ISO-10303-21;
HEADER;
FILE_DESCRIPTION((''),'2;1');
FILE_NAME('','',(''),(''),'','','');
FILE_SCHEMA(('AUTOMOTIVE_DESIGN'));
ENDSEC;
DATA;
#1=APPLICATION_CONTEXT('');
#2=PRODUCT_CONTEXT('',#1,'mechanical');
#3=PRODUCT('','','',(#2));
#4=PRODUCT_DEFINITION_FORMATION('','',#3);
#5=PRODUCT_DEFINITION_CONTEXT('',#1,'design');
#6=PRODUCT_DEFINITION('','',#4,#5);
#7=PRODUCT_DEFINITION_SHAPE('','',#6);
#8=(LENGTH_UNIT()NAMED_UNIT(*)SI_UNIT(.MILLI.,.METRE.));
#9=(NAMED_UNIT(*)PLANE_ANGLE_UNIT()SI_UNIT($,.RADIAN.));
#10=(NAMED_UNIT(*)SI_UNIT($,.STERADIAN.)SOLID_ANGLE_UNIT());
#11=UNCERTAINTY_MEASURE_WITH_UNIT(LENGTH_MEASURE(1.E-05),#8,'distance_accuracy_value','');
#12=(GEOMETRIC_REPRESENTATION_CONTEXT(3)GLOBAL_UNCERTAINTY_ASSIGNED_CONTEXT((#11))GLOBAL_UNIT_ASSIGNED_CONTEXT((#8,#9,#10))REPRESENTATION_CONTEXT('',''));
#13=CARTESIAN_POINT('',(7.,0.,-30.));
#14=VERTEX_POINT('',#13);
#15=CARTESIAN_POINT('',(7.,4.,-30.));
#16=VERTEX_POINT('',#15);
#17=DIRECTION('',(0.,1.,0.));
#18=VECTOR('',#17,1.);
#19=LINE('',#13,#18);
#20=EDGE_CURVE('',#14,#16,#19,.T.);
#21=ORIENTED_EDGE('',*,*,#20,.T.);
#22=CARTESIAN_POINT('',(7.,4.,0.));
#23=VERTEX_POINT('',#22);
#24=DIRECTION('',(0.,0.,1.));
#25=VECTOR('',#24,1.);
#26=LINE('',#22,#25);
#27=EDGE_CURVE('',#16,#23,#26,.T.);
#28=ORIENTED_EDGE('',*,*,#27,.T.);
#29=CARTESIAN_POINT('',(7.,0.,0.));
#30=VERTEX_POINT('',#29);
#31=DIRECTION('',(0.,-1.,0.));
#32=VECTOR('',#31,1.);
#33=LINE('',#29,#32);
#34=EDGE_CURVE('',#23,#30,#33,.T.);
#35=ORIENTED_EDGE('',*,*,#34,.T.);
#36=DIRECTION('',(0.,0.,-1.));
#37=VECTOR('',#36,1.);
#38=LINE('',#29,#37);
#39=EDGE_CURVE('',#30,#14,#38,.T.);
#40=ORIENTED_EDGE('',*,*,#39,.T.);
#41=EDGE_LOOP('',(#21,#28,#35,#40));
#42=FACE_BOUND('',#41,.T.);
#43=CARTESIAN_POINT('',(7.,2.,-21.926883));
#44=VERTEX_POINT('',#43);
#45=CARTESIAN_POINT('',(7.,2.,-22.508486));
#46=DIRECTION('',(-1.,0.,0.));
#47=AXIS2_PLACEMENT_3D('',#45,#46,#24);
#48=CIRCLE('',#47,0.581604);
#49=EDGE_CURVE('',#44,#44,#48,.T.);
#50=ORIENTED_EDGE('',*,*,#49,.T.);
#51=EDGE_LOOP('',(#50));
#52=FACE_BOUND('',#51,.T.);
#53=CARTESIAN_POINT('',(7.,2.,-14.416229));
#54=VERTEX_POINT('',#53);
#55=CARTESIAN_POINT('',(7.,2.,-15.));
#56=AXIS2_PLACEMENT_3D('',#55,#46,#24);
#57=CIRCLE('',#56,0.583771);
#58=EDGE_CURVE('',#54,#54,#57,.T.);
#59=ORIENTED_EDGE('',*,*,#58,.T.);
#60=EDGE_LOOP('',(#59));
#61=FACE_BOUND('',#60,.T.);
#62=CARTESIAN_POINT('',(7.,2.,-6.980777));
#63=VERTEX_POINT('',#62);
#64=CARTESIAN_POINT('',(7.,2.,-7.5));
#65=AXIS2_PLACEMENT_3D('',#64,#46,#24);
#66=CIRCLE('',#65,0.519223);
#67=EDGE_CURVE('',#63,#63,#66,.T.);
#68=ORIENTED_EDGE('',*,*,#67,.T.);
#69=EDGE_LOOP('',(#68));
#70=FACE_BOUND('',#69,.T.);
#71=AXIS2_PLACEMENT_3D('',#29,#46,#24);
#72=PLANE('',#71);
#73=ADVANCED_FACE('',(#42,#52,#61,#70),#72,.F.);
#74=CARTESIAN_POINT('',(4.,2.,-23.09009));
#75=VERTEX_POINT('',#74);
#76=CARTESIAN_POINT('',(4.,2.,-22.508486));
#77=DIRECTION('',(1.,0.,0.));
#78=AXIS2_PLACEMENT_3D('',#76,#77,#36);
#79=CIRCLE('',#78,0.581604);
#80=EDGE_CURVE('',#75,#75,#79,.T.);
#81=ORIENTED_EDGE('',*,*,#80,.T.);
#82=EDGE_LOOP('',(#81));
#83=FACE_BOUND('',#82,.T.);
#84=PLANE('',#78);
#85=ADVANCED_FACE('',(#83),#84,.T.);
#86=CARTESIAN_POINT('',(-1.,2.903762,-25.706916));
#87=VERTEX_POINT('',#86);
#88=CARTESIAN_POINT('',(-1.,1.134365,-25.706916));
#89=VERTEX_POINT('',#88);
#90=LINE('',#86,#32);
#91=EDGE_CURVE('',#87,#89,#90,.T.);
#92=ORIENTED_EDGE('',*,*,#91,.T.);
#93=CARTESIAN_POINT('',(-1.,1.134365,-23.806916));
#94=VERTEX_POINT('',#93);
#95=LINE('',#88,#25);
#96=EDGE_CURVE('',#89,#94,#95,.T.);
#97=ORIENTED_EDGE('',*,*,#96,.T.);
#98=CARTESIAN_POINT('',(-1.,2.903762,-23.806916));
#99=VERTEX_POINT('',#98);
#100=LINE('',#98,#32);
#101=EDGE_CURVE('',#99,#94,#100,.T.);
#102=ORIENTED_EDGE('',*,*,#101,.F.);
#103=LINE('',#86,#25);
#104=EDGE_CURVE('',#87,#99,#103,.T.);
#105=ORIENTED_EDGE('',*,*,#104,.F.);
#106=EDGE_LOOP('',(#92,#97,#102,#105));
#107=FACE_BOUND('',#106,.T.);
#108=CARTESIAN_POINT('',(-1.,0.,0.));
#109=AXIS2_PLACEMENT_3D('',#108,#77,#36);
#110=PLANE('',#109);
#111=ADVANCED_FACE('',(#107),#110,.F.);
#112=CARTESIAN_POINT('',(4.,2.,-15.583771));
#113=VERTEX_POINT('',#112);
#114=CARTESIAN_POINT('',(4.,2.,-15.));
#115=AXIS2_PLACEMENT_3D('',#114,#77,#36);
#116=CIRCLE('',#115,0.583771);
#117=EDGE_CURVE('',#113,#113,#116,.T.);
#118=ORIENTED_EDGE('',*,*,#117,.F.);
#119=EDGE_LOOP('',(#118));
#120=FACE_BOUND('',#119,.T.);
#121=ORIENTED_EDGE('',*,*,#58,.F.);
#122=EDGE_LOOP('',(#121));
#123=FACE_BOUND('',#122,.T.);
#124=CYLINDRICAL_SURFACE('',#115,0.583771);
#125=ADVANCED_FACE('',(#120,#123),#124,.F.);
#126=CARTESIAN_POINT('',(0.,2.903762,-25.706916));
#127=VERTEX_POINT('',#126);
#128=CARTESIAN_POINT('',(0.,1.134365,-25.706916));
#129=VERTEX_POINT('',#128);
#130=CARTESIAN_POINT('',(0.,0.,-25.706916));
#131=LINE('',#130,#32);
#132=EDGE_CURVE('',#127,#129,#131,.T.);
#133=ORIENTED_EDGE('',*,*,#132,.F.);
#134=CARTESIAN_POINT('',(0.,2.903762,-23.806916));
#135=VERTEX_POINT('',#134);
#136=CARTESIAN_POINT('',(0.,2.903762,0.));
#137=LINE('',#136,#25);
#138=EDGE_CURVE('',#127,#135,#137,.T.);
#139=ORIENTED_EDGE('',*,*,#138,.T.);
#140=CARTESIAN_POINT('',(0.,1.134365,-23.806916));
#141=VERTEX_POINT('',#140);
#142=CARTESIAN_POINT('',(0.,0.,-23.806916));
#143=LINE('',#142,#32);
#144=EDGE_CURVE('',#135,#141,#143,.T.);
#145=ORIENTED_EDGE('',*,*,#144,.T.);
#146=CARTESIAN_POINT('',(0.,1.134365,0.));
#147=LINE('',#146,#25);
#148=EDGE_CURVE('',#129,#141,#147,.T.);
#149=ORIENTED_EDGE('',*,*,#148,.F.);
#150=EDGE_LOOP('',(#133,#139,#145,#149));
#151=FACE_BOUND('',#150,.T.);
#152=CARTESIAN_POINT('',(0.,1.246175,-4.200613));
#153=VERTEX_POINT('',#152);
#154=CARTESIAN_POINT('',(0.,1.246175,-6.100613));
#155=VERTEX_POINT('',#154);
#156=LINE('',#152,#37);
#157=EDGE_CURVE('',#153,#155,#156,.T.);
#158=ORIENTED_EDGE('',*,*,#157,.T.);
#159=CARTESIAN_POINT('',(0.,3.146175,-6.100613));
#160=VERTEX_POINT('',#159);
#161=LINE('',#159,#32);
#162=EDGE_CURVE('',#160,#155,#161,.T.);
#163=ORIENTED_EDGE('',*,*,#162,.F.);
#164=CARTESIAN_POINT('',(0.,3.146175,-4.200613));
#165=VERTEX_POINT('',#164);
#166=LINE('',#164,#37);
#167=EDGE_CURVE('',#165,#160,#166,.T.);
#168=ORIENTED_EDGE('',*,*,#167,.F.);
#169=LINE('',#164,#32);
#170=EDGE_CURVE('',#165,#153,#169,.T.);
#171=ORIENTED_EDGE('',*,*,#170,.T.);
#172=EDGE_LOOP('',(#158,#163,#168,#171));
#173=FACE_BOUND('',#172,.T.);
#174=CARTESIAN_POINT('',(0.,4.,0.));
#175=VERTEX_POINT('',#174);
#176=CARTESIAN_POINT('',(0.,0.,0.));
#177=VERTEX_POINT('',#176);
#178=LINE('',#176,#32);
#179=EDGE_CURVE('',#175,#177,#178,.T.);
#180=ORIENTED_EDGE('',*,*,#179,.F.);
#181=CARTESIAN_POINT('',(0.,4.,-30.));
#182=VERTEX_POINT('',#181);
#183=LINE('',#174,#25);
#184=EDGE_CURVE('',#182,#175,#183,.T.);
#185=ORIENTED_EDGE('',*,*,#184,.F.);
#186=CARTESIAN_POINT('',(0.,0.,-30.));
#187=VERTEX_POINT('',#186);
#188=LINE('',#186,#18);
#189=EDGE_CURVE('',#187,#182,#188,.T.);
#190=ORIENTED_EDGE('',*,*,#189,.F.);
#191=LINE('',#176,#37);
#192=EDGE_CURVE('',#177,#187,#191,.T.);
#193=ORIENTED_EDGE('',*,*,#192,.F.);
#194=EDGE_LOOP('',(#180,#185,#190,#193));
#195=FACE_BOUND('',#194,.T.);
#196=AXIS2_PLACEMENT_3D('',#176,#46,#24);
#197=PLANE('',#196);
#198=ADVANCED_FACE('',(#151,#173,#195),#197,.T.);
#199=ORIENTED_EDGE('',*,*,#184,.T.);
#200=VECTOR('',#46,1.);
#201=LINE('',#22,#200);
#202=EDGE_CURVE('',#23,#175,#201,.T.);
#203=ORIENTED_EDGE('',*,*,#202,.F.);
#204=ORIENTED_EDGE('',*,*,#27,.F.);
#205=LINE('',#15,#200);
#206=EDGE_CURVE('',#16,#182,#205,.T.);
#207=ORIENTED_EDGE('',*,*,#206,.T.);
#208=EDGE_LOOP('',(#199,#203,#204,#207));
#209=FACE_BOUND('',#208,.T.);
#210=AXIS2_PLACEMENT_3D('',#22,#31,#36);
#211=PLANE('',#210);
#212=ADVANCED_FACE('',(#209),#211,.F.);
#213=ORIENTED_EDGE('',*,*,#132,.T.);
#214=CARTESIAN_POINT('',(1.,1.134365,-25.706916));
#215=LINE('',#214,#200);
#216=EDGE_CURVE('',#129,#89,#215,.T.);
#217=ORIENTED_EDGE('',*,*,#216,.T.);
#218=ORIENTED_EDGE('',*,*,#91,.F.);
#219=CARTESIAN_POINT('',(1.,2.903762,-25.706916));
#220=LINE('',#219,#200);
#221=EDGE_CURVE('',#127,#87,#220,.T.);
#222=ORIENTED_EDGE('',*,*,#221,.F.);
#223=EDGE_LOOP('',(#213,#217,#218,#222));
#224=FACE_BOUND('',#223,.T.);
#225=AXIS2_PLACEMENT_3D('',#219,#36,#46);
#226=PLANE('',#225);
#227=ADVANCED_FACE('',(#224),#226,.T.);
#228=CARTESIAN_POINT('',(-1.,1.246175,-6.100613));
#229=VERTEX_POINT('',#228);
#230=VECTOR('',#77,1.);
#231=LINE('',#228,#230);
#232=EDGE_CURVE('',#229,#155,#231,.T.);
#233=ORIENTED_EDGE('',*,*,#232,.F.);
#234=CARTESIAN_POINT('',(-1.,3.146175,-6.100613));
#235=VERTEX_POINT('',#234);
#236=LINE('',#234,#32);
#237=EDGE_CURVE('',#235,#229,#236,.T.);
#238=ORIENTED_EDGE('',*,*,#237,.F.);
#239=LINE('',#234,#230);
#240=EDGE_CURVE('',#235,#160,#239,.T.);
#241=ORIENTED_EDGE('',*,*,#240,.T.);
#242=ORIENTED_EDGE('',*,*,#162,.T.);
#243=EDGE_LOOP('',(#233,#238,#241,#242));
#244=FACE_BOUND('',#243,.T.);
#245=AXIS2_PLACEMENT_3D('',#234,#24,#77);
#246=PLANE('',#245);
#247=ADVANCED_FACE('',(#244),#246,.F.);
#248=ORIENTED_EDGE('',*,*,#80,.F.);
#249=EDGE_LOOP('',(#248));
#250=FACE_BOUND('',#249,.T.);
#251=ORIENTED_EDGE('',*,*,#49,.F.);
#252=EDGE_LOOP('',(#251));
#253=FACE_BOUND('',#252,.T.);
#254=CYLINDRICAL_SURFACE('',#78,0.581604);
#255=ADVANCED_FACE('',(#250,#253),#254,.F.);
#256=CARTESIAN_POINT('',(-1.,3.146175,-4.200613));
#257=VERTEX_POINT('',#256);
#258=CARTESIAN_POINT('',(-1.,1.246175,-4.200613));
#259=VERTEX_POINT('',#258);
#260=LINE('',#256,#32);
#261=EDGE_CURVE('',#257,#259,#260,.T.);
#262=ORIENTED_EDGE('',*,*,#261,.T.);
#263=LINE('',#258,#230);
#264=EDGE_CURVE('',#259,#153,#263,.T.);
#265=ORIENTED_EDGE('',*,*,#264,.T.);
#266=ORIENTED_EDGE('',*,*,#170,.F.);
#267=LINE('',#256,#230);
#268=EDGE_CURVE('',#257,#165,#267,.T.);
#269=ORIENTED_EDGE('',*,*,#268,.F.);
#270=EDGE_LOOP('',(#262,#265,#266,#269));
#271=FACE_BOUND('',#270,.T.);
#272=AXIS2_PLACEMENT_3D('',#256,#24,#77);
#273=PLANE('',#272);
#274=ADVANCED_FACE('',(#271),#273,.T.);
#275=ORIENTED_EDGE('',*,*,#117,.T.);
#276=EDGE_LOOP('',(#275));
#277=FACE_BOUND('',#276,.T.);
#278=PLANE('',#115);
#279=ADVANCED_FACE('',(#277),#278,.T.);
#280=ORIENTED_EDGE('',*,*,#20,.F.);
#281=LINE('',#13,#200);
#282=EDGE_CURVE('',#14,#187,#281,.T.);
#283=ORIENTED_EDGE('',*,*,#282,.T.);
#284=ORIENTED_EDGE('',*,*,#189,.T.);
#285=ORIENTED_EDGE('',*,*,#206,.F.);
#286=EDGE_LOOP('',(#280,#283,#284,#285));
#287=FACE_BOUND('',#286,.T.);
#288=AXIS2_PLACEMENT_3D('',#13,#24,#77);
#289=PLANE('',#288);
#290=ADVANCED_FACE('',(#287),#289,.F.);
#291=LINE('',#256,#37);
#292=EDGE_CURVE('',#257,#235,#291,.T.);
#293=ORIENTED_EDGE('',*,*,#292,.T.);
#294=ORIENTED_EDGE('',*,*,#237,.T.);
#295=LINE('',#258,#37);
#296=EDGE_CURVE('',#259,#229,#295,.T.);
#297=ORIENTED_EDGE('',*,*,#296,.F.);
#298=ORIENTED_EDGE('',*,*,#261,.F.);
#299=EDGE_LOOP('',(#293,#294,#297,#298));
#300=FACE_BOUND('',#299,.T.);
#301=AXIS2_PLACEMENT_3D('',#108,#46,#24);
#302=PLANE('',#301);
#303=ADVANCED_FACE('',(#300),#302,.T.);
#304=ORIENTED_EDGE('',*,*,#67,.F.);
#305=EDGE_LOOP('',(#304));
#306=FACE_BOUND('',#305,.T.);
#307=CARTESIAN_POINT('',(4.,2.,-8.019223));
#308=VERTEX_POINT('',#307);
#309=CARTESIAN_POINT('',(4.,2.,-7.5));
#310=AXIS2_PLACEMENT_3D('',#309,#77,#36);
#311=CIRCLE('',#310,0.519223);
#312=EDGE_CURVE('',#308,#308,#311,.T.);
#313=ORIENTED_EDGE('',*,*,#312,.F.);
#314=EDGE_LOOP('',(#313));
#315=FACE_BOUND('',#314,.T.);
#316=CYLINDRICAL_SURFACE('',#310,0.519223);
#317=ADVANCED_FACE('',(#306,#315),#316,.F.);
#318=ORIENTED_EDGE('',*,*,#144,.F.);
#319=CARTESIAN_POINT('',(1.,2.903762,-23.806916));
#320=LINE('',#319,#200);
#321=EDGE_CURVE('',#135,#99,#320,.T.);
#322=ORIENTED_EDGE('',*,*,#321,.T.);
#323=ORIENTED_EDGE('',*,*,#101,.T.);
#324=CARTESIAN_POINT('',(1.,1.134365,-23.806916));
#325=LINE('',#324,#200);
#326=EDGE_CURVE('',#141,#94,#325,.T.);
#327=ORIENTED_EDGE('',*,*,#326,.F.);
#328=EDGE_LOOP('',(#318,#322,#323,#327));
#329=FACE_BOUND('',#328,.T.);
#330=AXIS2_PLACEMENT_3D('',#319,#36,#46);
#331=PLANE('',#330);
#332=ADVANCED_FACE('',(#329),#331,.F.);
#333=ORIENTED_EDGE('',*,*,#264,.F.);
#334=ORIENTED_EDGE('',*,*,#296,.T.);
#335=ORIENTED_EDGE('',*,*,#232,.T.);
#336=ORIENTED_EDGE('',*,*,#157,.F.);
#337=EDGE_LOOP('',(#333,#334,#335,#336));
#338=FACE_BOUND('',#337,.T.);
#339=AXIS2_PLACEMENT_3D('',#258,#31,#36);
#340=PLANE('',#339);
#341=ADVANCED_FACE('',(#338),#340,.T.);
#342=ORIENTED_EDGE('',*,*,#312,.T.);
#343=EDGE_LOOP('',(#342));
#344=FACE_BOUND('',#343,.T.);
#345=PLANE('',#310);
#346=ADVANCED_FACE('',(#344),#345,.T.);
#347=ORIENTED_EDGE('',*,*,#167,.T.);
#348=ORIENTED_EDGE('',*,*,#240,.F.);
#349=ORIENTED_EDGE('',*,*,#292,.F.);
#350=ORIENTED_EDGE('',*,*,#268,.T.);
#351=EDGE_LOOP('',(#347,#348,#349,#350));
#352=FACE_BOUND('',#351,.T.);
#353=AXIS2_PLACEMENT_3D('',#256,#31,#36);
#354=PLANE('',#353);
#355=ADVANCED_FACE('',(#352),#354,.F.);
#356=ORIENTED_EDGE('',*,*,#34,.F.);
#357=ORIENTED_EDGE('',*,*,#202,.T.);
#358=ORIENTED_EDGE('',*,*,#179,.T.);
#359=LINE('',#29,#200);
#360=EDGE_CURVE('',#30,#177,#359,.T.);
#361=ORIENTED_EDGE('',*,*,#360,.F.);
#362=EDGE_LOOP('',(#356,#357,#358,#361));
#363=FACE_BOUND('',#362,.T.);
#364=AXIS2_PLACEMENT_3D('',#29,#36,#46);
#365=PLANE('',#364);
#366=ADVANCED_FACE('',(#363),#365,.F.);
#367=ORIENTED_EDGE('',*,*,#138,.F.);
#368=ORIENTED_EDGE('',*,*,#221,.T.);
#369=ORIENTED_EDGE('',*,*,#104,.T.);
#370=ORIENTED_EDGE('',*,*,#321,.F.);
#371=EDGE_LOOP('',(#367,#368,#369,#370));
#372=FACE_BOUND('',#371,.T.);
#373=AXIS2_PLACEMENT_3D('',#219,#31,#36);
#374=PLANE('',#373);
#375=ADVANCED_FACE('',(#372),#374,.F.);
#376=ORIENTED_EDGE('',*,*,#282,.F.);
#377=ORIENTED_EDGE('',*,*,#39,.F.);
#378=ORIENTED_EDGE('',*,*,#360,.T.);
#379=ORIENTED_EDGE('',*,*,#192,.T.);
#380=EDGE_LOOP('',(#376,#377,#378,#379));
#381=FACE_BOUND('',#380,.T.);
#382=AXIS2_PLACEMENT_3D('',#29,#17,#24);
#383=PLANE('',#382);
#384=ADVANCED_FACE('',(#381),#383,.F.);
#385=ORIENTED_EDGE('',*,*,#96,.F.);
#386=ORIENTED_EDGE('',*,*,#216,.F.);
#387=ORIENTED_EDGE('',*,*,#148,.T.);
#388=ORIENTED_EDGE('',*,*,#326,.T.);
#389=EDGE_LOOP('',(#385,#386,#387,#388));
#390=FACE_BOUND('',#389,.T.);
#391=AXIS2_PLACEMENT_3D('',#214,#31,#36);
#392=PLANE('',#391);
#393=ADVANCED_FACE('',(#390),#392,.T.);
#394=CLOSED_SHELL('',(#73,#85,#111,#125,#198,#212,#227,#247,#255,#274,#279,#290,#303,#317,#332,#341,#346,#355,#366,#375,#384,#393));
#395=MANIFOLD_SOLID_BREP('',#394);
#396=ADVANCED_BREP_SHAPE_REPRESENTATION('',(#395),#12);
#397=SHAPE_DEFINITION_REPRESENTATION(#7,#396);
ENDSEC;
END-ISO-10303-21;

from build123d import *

# Parameters (mm, degrees)
SKETCH1_W                = 30
SKETCH1_H                = 4
BOSS_EXTRUDE1_DEPTH      = 7
SKETCH2_W                = 1.9
SKETCH2_H                = 1.9
BOSS_EXTRUDE2_DEPTH      = 1
SKETCH3_W                = 1.9
SKETCH3_H                = 1.769397694
BOSS_EXTRUDE3_DEPTH      = 1
BOSS_EXTRUDE3_DEPTH_BACK = 1
SKETCH4_R                = 0.519223145
SKETCH4_R_2              = 0.583770961
SKETCH4_R_3              = 0.581603631
CUT_EXTRUDE2_DEPTH       = 1
CUT_EXTRUDE2_DEPTH_BACK  = 3


with BuildPart() as part:
    # Sketch1 → Boss-Extrude1 (new body)
    with BuildSketch(Plane(origin=(0, 0, 0), x_dir=(0, 0, -1), z_dir=(1, 0, 0))):
        with Locations((15, 2)):
            Rectangle(SKETCH1_W, SKETCH1_H)
    extrude(amount=BOSS_EXTRUDE1_DEPTH)

    # Sketch2 → Boss-Extrude2 (add)
    with BuildSketch(Plane(origin=(0, 0, 0), x_dir=(0, 0, -1), z_dir=(1, 0, 0))):
        with Locations((5.150612861, 2.196174594)):
            Rectangle(SKETCH2_W, SKETCH2_H)
    extrude(amount=-BOSS_EXTRUDE2_DEPTH)

    # Sketch3 → Boss-Extrude3 (add, two sides)
    with BuildSketch(Plane(origin=(0, 0, 0), x_dir=(0, 0, -1), z_dir=(1, 0, 0))) as boss_extrude3_sk:
        with Locations((24.756915523, 2.019063583)):
            Rectangle(SKETCH3_W, SKETCH3_H)
    extrude(amount=BOSS_EXTRUDE3_DEPTH)
    extrude(boss_extrude3_sk.sketch, amount=-BOSS_EXTRUDE3_DEPTH_BACK)

    # Sketch4 → Cut-Extrude2 (cut, two sides)
    with BuildSketch(Plane(origin=(7, 0, 0), x_dir=(0, 0, -1), z_dir=(1, 0, 0))) as cut_extrude2_sk:
        with Locations((7.5, 2)):
            Circle(SKETCH4_R)
        with Locations((15, 2)):
            Circle(SKETCH4_R_2)
        with Locations((22.508486169, 2)):
            Circle(SKETCH4_R_3)
    extrude(amount=CUT_EXTRUDE2_DEPTH, mode=Mode.SUBTRACT)
    extrude(cut_extrude2_sk.sketch, amount=-CUT_EXTRUDE2_DEPTH_BACK, mode=Mode.SUBTRACT)


solid = part.part
